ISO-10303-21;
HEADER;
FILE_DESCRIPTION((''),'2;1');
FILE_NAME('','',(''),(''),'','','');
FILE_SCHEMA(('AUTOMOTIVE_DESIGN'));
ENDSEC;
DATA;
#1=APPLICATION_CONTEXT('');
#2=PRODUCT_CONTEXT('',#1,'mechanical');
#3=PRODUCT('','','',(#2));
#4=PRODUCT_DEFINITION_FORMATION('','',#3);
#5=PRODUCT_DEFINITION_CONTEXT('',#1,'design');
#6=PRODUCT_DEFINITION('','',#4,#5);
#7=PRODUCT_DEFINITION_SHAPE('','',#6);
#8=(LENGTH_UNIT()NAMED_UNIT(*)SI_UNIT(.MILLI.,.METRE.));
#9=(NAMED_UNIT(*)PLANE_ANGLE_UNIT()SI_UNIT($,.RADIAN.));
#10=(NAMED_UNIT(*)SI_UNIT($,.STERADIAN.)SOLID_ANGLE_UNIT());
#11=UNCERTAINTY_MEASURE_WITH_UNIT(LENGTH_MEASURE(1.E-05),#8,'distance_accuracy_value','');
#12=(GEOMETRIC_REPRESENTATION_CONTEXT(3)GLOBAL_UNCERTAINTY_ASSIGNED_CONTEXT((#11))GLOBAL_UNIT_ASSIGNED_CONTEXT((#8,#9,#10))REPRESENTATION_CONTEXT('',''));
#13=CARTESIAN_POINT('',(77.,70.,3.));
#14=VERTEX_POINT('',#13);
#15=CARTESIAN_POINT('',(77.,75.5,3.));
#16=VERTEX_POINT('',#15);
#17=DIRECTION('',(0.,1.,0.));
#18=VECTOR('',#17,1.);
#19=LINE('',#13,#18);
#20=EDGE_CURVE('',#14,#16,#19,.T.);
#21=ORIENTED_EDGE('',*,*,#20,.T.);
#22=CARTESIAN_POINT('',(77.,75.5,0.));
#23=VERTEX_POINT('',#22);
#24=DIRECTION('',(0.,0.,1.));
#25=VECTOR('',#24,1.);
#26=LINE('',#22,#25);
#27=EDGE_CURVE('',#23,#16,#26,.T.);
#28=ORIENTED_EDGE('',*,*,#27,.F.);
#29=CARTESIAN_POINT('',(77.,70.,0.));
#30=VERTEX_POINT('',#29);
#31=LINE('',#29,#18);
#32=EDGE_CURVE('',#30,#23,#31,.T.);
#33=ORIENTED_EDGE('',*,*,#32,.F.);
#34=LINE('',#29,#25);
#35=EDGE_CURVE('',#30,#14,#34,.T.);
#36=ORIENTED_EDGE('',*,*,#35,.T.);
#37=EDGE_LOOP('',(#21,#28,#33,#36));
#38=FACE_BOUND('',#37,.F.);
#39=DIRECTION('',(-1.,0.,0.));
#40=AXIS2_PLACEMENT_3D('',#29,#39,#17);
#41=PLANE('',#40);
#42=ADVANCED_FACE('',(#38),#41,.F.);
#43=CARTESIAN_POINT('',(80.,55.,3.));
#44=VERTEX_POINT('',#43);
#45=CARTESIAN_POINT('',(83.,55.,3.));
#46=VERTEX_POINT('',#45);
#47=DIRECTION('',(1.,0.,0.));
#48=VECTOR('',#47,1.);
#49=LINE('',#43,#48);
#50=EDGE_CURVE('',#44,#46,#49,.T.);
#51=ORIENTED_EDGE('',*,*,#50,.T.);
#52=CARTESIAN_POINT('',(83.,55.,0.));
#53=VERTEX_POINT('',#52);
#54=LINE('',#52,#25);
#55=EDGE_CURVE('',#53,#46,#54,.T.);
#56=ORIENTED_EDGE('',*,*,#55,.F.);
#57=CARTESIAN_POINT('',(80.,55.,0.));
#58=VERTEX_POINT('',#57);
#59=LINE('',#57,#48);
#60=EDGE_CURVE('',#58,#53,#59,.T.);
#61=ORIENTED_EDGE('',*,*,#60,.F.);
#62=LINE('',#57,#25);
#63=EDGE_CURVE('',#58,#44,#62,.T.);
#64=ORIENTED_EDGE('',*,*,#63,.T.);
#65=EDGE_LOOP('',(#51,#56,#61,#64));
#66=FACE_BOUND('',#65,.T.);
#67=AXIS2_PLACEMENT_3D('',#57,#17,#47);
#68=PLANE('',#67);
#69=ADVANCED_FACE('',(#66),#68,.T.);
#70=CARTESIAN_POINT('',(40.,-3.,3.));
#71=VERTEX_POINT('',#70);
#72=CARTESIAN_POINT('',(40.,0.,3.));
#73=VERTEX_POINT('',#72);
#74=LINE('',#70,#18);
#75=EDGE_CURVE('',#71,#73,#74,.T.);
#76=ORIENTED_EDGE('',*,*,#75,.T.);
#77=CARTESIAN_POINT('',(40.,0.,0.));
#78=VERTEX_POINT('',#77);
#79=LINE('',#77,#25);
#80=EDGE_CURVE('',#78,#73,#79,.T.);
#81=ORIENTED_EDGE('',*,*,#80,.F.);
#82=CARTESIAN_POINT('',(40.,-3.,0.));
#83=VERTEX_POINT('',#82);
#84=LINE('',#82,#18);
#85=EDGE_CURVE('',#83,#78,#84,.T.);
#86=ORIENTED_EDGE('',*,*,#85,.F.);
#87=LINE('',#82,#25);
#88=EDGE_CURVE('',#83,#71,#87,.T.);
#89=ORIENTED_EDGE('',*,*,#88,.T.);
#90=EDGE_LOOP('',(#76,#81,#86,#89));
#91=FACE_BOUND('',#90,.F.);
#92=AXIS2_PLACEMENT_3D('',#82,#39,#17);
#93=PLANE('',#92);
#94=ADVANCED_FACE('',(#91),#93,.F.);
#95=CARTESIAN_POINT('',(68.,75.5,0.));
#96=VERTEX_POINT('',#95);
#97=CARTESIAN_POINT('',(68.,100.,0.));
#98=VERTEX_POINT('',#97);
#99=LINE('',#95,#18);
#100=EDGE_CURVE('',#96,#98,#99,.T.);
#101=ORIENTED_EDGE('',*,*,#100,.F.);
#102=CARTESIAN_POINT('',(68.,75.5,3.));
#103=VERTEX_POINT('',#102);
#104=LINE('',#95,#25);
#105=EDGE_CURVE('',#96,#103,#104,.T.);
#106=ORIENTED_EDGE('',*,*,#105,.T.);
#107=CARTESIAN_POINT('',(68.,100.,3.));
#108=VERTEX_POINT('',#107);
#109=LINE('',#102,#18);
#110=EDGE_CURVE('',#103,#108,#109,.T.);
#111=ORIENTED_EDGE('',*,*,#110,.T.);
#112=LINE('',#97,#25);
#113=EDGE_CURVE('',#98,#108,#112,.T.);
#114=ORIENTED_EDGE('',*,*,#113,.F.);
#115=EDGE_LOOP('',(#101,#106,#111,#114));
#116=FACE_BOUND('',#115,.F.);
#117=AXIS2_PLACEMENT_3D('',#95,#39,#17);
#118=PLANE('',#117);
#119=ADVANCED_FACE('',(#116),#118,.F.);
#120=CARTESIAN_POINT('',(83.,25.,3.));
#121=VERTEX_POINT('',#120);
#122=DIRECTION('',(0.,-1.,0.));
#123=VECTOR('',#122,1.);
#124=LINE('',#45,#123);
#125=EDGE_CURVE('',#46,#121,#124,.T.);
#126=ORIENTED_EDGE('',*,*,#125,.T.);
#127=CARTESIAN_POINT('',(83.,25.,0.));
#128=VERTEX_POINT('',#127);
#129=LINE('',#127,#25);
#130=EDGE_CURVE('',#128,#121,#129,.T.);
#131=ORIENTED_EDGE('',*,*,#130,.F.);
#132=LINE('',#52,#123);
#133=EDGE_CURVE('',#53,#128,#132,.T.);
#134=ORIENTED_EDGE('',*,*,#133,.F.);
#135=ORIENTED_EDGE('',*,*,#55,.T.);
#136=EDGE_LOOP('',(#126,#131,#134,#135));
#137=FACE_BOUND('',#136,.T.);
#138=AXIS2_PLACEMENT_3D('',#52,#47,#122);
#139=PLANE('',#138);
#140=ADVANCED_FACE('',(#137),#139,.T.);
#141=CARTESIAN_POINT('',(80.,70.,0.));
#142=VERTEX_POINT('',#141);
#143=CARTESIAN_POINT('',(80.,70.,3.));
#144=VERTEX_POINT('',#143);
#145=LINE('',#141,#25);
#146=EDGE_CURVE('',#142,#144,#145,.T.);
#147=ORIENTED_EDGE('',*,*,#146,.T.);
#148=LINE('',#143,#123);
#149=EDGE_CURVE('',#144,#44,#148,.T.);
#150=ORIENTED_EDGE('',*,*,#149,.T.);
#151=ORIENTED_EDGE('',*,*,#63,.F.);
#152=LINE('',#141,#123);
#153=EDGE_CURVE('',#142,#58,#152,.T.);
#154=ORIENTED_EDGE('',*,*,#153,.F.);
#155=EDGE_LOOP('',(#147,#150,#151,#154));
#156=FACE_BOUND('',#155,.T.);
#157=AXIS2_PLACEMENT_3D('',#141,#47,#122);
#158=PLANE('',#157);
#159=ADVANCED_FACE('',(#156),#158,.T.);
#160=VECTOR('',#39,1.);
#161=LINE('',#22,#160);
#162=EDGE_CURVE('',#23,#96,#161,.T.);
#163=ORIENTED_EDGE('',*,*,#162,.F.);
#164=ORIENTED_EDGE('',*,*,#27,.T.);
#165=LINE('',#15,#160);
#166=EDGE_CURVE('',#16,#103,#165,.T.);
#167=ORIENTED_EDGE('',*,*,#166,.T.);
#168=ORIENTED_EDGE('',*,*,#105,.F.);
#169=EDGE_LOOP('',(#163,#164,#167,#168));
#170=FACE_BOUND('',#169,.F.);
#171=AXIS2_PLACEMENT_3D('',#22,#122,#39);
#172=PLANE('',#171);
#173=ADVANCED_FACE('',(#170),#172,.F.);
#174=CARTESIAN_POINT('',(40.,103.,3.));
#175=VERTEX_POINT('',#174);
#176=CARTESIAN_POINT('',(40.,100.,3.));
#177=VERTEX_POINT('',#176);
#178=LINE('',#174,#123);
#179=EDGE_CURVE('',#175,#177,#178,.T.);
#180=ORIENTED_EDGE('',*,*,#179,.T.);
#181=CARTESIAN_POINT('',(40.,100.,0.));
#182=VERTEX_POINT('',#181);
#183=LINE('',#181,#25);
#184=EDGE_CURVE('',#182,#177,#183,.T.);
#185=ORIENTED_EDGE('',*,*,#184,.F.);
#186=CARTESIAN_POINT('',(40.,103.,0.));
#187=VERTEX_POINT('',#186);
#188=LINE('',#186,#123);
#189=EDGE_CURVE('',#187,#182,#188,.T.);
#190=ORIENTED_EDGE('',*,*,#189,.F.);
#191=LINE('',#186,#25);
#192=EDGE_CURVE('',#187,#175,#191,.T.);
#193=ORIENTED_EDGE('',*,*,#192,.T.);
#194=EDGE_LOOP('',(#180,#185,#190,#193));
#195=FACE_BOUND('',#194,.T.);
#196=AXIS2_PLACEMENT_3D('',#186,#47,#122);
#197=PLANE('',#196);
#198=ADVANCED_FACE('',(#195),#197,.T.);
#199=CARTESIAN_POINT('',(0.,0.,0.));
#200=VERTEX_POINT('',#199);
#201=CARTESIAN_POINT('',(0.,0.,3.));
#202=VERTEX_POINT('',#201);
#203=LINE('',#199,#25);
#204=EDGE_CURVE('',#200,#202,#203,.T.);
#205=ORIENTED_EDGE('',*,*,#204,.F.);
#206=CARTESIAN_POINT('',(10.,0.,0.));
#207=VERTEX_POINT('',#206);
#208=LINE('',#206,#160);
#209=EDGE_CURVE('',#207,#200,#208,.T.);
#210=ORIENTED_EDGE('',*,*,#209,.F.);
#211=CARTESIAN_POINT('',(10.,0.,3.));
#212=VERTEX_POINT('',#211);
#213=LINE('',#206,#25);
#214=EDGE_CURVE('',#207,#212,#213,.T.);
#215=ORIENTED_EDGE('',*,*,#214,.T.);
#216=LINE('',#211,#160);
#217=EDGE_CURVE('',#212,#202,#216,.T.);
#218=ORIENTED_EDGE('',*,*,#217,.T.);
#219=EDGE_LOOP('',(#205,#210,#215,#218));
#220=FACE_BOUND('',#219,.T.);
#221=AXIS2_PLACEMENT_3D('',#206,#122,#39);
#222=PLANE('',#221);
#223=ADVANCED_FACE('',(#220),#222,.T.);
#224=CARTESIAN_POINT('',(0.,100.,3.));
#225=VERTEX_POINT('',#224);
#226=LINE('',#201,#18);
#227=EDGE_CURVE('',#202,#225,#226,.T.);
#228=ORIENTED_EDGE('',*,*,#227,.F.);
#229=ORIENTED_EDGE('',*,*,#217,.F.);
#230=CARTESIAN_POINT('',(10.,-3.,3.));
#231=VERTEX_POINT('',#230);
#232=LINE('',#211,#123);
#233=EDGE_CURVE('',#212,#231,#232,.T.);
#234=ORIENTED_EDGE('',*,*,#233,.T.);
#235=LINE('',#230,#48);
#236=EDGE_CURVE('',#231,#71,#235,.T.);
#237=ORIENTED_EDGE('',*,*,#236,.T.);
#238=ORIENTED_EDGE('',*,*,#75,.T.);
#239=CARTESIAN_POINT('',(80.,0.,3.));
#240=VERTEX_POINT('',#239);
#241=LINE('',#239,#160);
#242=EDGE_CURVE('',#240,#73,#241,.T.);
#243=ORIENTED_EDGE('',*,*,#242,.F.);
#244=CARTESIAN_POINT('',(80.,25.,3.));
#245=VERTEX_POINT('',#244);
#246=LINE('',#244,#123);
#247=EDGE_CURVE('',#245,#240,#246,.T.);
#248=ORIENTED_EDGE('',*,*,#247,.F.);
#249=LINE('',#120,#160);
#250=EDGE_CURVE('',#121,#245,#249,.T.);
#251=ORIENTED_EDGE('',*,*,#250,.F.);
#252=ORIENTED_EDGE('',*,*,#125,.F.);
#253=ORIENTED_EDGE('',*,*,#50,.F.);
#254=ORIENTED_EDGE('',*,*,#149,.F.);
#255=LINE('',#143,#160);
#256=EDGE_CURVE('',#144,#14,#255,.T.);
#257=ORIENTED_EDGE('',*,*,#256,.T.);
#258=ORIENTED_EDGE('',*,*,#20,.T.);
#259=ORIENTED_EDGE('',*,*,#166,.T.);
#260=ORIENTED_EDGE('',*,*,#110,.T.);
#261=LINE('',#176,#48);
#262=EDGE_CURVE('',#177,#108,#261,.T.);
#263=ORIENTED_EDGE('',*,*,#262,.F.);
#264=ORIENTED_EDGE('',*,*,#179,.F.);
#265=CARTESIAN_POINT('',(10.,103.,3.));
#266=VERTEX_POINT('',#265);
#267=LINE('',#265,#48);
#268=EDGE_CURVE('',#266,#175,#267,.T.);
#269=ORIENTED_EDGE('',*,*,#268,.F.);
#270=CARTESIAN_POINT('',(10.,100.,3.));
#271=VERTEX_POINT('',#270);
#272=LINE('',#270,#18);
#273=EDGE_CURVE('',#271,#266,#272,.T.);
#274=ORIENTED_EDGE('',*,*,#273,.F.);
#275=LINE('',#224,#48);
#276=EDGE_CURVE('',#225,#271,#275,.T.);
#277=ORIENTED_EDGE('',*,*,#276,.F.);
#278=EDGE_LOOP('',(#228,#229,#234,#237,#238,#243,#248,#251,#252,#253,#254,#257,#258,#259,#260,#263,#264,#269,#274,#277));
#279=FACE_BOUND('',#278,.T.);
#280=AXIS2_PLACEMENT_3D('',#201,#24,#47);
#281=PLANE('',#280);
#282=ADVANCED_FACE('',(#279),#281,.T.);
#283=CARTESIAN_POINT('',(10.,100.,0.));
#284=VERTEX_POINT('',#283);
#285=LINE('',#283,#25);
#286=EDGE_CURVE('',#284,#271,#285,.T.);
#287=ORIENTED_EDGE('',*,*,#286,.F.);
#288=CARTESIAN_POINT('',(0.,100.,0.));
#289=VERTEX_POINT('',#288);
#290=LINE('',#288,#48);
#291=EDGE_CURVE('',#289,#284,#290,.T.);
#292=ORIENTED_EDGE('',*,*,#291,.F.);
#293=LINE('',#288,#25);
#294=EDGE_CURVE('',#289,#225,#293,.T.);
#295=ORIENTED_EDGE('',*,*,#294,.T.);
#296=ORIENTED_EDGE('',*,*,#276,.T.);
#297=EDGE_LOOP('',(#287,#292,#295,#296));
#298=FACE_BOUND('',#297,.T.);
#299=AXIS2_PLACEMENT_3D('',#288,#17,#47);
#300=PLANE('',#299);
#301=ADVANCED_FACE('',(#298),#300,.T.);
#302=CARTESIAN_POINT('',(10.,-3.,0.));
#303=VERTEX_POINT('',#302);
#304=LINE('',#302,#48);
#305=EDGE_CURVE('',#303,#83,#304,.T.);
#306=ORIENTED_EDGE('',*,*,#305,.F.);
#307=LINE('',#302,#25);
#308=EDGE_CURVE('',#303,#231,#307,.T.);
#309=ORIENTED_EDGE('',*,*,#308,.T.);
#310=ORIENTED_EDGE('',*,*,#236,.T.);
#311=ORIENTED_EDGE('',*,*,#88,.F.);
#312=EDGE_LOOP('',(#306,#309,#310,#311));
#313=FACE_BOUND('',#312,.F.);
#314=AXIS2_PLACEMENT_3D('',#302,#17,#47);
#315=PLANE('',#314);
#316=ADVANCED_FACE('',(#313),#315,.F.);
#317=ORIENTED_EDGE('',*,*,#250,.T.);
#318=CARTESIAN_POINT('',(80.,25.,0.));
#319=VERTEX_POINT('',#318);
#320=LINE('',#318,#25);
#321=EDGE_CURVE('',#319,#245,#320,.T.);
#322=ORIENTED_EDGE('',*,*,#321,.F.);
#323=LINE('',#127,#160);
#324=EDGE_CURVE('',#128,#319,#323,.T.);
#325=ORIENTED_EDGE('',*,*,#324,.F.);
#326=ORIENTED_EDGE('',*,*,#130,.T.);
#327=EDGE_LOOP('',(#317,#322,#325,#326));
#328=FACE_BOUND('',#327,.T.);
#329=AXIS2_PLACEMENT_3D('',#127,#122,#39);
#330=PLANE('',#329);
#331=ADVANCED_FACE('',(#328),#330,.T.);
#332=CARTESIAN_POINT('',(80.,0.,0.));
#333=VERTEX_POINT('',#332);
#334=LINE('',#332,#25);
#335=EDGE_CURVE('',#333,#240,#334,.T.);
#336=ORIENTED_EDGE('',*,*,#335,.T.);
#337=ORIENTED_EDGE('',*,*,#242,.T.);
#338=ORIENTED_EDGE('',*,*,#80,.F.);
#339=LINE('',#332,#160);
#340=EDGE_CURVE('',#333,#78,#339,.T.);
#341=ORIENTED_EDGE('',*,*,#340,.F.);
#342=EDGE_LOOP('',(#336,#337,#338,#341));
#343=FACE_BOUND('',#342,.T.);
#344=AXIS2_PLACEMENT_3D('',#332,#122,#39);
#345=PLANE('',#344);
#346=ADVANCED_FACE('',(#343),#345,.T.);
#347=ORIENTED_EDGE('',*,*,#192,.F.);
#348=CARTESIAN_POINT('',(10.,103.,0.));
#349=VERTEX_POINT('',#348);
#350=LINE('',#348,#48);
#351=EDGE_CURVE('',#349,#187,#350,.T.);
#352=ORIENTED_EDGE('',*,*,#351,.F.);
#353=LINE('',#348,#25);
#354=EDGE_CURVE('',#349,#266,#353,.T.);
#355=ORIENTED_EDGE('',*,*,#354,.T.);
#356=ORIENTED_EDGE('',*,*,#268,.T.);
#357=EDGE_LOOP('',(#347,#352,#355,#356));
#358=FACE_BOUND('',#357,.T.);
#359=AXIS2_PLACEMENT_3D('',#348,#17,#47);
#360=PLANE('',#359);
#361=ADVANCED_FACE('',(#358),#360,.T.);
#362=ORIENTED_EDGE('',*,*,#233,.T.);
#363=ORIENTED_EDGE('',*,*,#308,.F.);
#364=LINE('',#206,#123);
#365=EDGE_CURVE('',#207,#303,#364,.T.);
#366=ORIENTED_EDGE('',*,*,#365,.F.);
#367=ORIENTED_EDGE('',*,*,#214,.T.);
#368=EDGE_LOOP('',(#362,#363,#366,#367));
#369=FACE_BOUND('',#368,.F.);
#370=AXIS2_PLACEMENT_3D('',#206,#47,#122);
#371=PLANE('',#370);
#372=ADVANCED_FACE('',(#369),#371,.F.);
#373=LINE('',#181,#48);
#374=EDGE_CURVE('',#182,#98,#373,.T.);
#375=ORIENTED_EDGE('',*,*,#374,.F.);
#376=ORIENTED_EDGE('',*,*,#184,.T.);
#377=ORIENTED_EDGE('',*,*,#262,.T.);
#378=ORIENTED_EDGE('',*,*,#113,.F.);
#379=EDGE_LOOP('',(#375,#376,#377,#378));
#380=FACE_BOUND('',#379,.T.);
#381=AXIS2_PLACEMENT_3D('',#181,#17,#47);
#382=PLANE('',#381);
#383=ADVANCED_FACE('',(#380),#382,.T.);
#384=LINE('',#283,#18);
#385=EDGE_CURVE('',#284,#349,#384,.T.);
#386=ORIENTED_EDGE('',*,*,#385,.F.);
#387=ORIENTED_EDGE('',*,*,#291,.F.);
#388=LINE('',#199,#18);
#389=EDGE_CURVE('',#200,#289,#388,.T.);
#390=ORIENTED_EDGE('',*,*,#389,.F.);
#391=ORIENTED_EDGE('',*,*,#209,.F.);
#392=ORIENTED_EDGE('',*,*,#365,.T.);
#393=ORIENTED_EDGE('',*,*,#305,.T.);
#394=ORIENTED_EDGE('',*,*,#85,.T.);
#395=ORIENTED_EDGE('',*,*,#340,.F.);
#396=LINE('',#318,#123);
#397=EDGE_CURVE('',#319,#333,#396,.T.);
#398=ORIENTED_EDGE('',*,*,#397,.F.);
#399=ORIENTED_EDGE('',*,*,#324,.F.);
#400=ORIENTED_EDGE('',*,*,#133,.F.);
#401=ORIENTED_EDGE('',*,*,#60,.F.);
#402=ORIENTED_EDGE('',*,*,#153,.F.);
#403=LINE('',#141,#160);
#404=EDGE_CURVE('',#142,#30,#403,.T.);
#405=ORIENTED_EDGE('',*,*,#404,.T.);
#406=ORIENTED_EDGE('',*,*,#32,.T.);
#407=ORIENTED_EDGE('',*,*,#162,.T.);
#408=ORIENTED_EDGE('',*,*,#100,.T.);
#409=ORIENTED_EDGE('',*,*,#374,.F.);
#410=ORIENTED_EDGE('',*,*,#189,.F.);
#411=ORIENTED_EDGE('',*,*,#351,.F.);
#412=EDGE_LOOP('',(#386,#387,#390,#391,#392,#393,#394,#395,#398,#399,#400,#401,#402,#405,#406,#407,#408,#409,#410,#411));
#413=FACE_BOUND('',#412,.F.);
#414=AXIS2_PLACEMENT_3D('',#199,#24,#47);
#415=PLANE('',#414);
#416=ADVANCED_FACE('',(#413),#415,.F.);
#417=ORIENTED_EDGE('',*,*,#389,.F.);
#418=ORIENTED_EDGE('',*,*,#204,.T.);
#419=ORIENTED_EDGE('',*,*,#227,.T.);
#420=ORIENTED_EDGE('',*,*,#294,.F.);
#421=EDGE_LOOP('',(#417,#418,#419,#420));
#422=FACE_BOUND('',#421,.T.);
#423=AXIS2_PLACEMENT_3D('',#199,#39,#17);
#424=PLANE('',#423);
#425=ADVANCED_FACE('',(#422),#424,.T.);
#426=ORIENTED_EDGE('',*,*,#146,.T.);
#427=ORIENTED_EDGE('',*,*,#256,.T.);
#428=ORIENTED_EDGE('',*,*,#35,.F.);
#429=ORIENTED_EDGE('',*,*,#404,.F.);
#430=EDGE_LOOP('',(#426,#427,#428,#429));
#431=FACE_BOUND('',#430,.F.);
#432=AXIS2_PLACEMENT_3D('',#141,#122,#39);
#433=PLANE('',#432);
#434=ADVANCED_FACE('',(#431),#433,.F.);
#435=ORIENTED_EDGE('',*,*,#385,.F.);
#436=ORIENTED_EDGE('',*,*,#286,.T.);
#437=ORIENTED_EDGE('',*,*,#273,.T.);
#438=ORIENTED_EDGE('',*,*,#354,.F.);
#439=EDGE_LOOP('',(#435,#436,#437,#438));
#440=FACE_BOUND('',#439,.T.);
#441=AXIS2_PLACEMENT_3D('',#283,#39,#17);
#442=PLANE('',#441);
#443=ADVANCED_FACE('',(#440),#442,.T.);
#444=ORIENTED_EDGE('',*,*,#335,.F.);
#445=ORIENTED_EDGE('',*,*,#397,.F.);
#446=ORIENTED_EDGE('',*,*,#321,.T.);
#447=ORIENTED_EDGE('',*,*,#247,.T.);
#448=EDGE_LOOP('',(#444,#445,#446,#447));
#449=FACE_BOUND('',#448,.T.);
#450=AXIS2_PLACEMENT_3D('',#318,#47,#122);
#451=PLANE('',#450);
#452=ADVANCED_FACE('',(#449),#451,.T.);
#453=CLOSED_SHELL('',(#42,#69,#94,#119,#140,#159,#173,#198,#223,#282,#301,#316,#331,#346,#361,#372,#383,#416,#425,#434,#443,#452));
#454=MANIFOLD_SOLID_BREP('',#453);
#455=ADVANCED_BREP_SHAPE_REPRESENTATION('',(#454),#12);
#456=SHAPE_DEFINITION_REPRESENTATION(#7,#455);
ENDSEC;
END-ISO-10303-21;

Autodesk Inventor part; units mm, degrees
ref_plane "YZ Plane" through (0, 0, 0) normal (1, 0, 0) x (0, 1, 0)
ref_plane "XZ Plane" through (0, 0, 0) normal (0, 1, 0) x (-1, 0, 0)
ref_plane "XY Plane" through (0, 0, 0) normal (0, 0, 1) x (1, 0, 0)
sketch "Boceto1" plane through (0, 0, 0) normal (0, 0, 1) x (1, 0, 0)
  line L0 (0, 0) -> (0, 100)
  line L1 (80, 55) -> (83, 55)
  line L2 (83, 55) -> (83, 25)
  line L3 (83, 25) -> (80, 25)
  line L4 (80, 70) -> (80, 55)
  line L5 (80, 25) -> (80, 0)
  line L6 (10, 100) -> (10, 103)
  line L7 (10, 103) -> (40, 103)
  line L8 (40, 103) -> (40, 100)
  line L9 (0, 100) -> (10, 100)
  line L10 (40, 100) -> (68, 100)
  line L11 (77, 75.5) -> (68, 75.5)
  line L12 (68, 75.5) -> (68, 100)
  line L13 (10, 0) -> (10, -3)
  line L14 (40, -3) -> (40, 0)
  line L15 (10, -3) -> (40, -3)
  line L16 (80, 0) -> (40, 0)
  line L17 (10, 0) -> (0, 0)
  line L18 (80, 70) -> (77, 70)
  line L19 (77, 70) -> (77, 75.5)
  point P0 (0, 0)
  dimension "d5" = 30
  dimension "d9" = 30
  dimension "d11" = 10
  dimension "d13" = 3
  dimension "d16" = 80
  dimension "d17" = 3
  dimension "d22" = 3
  dimension "d23" = 100
  dimension "d24" = 25
  dimension "d26" = 3
  dimension "d29" = 9
  dimension "d30" = 70
  dimension "d31" = 75.5
extrude "Extrusión1" add sketch "Boceto1" along normal blind 3
properties part number "Celda pared divisora"
